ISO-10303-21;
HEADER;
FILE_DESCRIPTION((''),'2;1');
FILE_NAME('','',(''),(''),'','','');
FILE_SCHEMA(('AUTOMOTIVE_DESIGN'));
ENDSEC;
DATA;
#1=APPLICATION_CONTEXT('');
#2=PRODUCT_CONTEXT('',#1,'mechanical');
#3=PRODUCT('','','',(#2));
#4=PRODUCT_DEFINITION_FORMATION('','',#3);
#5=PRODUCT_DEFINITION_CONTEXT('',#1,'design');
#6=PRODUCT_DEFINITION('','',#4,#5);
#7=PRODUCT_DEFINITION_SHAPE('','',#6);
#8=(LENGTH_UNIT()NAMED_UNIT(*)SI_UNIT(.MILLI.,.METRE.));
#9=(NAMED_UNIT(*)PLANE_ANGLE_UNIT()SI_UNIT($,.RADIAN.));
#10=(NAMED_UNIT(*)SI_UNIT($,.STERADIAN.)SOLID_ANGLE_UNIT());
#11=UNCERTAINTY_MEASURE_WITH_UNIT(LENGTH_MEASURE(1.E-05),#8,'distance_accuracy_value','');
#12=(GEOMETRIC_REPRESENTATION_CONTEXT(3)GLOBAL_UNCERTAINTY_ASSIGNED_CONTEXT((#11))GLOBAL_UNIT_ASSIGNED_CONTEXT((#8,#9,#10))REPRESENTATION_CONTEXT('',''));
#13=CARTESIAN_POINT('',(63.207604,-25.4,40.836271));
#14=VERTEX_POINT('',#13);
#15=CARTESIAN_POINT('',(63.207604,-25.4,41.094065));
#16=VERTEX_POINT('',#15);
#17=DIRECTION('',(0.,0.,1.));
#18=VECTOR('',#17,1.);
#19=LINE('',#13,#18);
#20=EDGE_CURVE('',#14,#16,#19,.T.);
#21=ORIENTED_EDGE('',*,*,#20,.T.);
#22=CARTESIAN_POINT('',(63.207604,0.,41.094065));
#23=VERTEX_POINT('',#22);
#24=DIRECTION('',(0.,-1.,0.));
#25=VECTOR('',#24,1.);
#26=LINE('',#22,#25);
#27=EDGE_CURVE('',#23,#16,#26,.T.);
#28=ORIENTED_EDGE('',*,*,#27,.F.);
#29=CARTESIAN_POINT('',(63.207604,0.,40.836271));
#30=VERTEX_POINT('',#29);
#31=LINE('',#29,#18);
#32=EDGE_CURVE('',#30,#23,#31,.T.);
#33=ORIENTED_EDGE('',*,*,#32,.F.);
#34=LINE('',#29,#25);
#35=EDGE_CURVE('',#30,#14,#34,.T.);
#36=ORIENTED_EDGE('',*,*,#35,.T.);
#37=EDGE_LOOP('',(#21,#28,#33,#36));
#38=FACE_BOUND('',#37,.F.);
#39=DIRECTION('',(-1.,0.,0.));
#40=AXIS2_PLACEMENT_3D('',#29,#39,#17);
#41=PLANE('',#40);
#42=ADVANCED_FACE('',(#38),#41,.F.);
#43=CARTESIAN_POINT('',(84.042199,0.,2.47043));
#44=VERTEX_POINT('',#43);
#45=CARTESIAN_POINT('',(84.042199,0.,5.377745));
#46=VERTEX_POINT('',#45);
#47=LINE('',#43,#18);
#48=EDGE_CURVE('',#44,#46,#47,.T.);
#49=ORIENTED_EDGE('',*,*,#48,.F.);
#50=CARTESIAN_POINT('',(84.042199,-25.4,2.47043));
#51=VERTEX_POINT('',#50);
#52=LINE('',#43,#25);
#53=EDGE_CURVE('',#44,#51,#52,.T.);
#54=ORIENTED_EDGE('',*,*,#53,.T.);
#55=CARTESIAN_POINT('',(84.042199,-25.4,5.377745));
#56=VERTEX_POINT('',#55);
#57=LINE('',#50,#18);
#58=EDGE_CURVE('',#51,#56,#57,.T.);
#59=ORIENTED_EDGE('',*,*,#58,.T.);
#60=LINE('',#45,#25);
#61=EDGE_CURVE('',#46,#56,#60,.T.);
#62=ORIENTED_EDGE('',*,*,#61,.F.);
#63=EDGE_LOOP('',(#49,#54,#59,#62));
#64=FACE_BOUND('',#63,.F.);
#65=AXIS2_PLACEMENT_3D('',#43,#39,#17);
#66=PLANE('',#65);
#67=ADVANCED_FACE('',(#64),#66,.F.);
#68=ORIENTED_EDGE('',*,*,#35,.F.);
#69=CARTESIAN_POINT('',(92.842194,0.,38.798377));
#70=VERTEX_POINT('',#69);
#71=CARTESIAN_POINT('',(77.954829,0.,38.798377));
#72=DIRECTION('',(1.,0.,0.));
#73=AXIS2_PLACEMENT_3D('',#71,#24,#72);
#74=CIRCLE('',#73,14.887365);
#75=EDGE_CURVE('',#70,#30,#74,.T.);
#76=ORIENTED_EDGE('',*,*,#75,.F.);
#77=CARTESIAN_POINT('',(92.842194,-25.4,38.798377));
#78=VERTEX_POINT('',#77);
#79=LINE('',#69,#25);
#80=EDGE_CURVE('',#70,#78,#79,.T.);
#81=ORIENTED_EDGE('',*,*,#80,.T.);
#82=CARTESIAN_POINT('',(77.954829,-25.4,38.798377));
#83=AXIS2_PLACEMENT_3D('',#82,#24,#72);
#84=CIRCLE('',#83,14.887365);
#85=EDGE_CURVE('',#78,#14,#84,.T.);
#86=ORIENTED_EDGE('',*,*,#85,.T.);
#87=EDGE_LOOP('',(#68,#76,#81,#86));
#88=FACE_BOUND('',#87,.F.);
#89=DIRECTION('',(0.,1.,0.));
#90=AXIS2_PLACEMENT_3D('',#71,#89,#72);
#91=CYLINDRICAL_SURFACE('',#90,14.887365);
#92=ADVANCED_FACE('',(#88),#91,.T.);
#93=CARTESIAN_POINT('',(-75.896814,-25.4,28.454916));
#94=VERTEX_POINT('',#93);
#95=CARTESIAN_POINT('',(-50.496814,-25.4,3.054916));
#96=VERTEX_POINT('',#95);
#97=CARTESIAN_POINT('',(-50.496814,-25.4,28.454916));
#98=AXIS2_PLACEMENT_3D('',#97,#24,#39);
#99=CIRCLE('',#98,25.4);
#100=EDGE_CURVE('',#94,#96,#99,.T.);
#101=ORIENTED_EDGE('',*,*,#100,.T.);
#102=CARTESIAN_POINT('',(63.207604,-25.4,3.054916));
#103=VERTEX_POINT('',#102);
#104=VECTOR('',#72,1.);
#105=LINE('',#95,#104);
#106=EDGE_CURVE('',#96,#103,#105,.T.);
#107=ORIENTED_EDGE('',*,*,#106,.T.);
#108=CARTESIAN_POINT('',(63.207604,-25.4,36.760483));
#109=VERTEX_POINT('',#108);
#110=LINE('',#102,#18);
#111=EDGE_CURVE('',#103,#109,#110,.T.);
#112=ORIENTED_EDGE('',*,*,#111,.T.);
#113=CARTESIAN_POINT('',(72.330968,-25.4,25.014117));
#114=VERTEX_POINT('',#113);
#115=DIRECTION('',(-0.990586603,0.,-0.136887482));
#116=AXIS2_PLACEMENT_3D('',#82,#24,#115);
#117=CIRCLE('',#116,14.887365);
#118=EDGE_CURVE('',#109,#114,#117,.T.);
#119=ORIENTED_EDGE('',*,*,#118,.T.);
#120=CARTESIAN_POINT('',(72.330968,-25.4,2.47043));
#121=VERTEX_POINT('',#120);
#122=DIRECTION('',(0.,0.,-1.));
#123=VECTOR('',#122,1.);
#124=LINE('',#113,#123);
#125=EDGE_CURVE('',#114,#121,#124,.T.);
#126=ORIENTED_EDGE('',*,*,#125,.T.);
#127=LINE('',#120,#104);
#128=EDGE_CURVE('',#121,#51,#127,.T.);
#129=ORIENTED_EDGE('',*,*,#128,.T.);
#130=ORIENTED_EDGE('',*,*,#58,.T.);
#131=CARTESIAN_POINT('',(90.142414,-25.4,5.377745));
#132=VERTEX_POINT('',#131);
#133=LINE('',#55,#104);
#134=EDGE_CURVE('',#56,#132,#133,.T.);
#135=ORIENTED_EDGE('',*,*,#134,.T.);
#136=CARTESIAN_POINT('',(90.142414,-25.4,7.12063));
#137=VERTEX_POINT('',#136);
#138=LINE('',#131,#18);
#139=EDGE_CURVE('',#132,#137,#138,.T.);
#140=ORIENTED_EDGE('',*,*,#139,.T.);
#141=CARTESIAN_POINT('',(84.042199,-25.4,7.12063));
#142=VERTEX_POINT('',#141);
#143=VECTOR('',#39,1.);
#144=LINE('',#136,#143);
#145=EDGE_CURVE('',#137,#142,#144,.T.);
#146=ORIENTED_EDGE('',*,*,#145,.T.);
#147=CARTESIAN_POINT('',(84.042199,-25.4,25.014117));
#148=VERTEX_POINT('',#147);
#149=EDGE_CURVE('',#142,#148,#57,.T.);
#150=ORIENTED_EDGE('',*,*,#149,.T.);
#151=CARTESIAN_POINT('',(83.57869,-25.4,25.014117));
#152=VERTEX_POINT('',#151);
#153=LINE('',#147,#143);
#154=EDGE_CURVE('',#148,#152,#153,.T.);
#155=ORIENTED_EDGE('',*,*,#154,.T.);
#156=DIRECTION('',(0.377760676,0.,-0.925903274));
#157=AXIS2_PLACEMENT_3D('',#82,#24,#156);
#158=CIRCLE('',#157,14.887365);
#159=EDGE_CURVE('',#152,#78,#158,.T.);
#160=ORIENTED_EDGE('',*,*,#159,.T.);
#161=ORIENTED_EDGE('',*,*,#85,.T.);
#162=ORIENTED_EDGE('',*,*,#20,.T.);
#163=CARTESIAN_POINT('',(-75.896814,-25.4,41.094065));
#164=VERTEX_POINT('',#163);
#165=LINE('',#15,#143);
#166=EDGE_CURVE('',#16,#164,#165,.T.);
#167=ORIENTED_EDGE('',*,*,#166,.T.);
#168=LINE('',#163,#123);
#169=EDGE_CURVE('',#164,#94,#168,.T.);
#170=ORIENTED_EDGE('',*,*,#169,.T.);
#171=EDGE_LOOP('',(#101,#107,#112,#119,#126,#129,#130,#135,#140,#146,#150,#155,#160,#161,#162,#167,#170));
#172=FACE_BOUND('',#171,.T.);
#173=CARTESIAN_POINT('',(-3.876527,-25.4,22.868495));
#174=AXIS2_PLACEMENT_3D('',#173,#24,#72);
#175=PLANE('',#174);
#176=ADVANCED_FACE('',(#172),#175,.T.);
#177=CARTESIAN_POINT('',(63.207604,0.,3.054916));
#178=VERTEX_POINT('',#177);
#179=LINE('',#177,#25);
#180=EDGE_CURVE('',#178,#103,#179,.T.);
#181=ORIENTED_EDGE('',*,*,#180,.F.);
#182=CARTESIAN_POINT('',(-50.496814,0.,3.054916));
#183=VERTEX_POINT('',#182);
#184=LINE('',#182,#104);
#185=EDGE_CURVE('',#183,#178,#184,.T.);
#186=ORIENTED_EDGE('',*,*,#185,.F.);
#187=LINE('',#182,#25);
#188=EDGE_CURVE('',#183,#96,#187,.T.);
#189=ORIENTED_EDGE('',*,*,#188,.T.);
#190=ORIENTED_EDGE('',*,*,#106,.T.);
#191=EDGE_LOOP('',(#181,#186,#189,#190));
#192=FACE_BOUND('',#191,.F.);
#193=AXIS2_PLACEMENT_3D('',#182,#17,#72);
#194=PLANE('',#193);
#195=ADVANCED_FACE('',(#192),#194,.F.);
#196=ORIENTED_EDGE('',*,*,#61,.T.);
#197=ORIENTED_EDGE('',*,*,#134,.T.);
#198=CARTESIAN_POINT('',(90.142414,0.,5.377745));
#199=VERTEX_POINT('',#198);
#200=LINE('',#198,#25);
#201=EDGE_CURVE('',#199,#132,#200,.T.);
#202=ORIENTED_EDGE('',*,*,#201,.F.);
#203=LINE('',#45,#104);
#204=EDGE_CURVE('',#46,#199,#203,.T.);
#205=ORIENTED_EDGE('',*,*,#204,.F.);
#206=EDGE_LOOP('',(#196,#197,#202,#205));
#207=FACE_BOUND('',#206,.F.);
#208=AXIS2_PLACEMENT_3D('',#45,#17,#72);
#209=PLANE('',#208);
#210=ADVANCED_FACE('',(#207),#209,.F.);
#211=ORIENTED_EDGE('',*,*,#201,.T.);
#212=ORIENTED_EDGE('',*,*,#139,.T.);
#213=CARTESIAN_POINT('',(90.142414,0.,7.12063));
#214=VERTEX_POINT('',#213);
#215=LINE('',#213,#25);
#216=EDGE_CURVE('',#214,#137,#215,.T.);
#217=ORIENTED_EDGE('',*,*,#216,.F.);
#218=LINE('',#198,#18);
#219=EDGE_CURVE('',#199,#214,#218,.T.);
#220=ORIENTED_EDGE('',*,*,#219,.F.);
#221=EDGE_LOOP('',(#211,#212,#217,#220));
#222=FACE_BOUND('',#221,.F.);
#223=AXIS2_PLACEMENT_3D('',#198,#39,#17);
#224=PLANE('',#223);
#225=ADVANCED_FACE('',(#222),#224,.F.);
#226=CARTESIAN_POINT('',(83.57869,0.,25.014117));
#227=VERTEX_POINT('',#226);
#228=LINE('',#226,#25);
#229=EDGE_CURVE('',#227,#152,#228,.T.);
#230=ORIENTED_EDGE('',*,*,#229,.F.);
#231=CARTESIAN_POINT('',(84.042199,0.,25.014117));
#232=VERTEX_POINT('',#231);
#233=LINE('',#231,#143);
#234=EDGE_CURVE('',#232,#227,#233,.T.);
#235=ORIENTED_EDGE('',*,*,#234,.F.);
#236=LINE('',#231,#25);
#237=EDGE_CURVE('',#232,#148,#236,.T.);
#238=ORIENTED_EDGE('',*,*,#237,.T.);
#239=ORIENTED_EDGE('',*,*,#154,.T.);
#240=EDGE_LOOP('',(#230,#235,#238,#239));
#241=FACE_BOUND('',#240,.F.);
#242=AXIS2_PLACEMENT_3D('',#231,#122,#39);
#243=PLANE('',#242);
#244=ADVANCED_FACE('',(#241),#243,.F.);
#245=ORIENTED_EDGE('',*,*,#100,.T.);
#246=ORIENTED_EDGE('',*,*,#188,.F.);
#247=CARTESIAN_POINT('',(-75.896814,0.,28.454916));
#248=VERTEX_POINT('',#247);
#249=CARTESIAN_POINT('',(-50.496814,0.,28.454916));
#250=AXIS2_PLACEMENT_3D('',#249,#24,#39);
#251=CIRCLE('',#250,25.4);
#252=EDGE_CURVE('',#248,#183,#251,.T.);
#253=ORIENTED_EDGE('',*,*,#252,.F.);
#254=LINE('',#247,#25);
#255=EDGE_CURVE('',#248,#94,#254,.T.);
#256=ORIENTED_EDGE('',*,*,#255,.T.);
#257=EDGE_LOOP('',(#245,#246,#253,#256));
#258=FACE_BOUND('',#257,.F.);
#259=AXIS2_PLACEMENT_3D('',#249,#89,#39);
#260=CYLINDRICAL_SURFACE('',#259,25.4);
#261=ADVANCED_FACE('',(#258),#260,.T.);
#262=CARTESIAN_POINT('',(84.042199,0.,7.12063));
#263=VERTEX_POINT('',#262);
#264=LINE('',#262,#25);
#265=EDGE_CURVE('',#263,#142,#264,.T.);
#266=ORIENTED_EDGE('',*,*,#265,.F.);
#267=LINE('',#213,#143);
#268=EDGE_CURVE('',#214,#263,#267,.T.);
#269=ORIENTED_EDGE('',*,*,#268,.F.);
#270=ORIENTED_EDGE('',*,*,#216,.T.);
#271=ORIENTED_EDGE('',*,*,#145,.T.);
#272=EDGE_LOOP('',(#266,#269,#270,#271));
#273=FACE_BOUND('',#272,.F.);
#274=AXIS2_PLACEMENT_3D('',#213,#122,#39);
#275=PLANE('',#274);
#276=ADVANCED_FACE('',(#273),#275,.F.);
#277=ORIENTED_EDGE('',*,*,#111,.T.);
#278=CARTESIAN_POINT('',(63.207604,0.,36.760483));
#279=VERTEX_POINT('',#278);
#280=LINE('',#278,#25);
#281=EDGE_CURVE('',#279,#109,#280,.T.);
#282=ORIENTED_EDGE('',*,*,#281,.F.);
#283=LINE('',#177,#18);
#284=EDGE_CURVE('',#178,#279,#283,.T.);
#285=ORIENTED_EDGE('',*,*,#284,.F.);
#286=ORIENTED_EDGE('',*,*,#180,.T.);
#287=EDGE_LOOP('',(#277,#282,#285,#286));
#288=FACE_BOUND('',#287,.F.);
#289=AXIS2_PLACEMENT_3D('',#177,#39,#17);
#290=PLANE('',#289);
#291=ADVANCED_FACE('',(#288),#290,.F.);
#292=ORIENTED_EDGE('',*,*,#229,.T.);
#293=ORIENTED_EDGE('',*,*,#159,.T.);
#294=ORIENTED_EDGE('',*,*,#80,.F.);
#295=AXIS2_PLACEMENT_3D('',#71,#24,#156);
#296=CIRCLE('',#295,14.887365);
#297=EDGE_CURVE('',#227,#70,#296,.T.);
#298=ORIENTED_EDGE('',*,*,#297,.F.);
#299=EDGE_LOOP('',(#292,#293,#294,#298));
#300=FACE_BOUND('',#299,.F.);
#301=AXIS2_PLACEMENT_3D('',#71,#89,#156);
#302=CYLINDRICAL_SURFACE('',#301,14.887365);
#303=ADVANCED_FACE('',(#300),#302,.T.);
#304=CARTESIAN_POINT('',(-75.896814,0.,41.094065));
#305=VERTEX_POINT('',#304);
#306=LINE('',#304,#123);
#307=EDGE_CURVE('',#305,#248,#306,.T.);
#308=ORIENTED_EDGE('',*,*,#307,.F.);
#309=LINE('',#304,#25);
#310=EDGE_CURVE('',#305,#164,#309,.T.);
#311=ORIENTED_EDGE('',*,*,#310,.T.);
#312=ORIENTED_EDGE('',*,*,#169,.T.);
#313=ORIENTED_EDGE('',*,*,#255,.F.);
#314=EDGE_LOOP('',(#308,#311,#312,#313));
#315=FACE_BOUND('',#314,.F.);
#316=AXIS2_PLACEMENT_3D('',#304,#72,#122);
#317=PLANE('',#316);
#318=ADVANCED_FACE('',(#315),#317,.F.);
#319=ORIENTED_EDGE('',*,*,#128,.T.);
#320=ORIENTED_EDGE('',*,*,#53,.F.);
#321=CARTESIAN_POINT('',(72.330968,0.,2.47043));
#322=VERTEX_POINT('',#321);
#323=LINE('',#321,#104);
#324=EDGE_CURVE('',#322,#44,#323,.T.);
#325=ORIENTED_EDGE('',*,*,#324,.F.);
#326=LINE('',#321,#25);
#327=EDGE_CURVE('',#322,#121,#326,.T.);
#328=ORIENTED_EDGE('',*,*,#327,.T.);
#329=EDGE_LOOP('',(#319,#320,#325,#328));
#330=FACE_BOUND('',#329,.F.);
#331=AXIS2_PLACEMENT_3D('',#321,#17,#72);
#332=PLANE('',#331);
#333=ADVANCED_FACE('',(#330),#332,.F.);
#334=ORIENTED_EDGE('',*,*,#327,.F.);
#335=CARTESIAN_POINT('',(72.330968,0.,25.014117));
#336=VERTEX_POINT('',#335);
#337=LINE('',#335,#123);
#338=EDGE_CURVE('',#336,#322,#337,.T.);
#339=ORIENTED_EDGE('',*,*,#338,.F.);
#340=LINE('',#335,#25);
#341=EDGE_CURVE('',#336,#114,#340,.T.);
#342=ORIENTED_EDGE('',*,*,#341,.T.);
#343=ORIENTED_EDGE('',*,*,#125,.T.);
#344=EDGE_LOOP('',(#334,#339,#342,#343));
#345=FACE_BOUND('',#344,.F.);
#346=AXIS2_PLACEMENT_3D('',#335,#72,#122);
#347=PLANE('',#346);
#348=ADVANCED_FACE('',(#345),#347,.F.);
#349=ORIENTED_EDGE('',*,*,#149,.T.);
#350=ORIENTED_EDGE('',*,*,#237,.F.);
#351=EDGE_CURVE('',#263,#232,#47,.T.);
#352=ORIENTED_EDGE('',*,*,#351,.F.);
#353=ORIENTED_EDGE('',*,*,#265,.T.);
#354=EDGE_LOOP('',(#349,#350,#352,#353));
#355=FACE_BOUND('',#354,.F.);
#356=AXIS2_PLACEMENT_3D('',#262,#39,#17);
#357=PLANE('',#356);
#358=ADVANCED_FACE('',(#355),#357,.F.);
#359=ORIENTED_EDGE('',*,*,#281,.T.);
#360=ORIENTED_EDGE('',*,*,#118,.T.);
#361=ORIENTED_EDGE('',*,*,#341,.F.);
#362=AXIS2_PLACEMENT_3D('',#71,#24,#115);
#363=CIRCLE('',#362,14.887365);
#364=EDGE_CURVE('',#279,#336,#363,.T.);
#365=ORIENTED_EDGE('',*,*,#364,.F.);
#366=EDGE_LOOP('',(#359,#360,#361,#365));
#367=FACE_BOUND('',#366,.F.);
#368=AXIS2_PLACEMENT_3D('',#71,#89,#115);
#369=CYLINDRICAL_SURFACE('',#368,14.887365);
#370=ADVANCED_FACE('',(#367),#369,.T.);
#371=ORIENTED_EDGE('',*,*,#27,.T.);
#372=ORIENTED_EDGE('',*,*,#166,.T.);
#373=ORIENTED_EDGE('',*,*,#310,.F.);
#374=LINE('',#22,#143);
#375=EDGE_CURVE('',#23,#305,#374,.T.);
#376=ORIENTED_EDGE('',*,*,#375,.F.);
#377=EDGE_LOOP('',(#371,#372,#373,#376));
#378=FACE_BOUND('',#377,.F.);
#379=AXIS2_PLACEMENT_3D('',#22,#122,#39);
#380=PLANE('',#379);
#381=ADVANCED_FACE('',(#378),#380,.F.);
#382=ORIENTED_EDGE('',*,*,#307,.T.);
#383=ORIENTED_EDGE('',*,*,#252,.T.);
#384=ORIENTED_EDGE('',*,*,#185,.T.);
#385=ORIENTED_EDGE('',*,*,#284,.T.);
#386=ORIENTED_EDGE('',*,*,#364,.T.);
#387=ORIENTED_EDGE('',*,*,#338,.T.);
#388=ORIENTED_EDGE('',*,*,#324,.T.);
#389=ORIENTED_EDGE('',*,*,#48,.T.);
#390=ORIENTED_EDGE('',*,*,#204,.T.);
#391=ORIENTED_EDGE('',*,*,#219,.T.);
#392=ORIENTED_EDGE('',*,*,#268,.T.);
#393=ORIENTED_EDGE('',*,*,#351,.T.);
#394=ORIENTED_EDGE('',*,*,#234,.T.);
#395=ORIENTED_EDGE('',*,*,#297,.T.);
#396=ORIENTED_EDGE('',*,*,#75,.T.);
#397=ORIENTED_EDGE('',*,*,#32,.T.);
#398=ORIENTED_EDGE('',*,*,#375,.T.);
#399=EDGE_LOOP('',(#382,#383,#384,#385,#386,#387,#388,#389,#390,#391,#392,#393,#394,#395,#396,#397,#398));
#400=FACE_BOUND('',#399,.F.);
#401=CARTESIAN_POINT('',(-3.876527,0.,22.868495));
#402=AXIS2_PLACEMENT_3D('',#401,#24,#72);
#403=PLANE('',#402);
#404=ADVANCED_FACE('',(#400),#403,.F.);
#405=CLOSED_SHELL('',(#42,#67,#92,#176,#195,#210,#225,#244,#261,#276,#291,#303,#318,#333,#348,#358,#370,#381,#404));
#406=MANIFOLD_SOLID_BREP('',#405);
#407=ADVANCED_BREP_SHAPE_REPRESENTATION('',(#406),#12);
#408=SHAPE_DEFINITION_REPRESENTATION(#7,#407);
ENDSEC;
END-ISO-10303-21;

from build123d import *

# Parameters (mm, degrees)
F1_DEPTH = 25.4


with BuildPart() as f1:
    # F0 (on Front) → F1 (new body)
    with BuildSketch(Plane.XZ):
        with BuildLine():
            Line((63.2076042874, 40.8362708382), (63.2076042874, 41.0940647125))
            Line((63.2076042874, 41.0940647125), (-75.8968144655, 41.0940647125))
            Line((-75.8968144655, 41.0940647125), (-75.8968144655, 28.454915631))
            ThreePointArc((-75.8968144655, 28.454915631), (-68.4573267077, 10.4944033889), (-50.4968144655, 3.054915631))
            Line((-50.4968144655, 3.054915631), (63.2076042874, 3.054915631))
            Line((63.2076042874, 3.054915631), (63.2076042874, 36.7604829975))
            ThreePointArc((63.2076042874, 36.7604829975), (63.0674636042, 38.7983769178), (63.2076042874, 40.8362708382))
        make_face()
        with BuildLine():
            ThreePointArc((92.8421938741, 38.7983769178), (78.9761821356, 53.6506655597), (63.2076042874, 40.8362708382))
            Line((63.2076042874, 40.8362708382), (63.2076042874, 36.7604829975))
            ThreePointArc((63.2076042874, 36.7604829975), (66.1972966242, 29.6663410425), (72.3309676283, 25.0141168046))
            Line((72.3309676283, 25.0141168046), (83.57868985, 25.0141168046))
            ThreePointArc((83.57868985, 25.0141168046), (90.3111654634, 30.4944872619), (92.8421938741, 38.7983769178))
        make_face()
        with BuildLine():
            Line((63.2076042874, 36.7604829975), (63.2076042874, 40.8362708382))
            ThreePointArc((63.2076042874, 40.8362708382), (63.0674636042, 38.7983769178), (63.2076042874, 36.7604829975))
        make_face()
        with BuildLine():
            Line((83.57868985, 25.0141168046), (72.3309676283, 25.0141168046))
            ThreePointArc((72.3309676283, 25.0141168046), (77.9548287392, 23.9110117829), (83.57868985, 25.0141168046))
        make_face()
        with BuildLine():
            ThreePointArc((83.57868985, 25.0141168046), (77.9548287392, 23.9110117829), (72.3309676283, 25.0141168046))
            Line((72.3309676283, 25.0141168046), (72.3309676283, 2.4704295211))
            Line((72.3309676283, 2.4704295211), (84.042198956, 2.4704295211))
            Line((84.042198956, 2.4704295211), (84.042198956, 5.3777452558))
            Line((84.042198956, 5.3777452558), (84.042198956, 7.1206297725))
            Line((84.042198956, 7.1206297725), (84.042198956, 25.0141168046))
            Line((84.042198956, 25.0141168046), (83.57868985, 25.0141168046))
        make_face()
        Polygon((87.0923064649, 7.1206297725), (84.042198956, 7.1206297725), (84.042198956, 5.3777452558), (87.0923064649, 5.3777452558), (90.1424139738, 5.3777452558), (90.1424139738, 7.1206297725), align=None)
    extrude(amount=F1_DEPTH)


solid = f1.part
